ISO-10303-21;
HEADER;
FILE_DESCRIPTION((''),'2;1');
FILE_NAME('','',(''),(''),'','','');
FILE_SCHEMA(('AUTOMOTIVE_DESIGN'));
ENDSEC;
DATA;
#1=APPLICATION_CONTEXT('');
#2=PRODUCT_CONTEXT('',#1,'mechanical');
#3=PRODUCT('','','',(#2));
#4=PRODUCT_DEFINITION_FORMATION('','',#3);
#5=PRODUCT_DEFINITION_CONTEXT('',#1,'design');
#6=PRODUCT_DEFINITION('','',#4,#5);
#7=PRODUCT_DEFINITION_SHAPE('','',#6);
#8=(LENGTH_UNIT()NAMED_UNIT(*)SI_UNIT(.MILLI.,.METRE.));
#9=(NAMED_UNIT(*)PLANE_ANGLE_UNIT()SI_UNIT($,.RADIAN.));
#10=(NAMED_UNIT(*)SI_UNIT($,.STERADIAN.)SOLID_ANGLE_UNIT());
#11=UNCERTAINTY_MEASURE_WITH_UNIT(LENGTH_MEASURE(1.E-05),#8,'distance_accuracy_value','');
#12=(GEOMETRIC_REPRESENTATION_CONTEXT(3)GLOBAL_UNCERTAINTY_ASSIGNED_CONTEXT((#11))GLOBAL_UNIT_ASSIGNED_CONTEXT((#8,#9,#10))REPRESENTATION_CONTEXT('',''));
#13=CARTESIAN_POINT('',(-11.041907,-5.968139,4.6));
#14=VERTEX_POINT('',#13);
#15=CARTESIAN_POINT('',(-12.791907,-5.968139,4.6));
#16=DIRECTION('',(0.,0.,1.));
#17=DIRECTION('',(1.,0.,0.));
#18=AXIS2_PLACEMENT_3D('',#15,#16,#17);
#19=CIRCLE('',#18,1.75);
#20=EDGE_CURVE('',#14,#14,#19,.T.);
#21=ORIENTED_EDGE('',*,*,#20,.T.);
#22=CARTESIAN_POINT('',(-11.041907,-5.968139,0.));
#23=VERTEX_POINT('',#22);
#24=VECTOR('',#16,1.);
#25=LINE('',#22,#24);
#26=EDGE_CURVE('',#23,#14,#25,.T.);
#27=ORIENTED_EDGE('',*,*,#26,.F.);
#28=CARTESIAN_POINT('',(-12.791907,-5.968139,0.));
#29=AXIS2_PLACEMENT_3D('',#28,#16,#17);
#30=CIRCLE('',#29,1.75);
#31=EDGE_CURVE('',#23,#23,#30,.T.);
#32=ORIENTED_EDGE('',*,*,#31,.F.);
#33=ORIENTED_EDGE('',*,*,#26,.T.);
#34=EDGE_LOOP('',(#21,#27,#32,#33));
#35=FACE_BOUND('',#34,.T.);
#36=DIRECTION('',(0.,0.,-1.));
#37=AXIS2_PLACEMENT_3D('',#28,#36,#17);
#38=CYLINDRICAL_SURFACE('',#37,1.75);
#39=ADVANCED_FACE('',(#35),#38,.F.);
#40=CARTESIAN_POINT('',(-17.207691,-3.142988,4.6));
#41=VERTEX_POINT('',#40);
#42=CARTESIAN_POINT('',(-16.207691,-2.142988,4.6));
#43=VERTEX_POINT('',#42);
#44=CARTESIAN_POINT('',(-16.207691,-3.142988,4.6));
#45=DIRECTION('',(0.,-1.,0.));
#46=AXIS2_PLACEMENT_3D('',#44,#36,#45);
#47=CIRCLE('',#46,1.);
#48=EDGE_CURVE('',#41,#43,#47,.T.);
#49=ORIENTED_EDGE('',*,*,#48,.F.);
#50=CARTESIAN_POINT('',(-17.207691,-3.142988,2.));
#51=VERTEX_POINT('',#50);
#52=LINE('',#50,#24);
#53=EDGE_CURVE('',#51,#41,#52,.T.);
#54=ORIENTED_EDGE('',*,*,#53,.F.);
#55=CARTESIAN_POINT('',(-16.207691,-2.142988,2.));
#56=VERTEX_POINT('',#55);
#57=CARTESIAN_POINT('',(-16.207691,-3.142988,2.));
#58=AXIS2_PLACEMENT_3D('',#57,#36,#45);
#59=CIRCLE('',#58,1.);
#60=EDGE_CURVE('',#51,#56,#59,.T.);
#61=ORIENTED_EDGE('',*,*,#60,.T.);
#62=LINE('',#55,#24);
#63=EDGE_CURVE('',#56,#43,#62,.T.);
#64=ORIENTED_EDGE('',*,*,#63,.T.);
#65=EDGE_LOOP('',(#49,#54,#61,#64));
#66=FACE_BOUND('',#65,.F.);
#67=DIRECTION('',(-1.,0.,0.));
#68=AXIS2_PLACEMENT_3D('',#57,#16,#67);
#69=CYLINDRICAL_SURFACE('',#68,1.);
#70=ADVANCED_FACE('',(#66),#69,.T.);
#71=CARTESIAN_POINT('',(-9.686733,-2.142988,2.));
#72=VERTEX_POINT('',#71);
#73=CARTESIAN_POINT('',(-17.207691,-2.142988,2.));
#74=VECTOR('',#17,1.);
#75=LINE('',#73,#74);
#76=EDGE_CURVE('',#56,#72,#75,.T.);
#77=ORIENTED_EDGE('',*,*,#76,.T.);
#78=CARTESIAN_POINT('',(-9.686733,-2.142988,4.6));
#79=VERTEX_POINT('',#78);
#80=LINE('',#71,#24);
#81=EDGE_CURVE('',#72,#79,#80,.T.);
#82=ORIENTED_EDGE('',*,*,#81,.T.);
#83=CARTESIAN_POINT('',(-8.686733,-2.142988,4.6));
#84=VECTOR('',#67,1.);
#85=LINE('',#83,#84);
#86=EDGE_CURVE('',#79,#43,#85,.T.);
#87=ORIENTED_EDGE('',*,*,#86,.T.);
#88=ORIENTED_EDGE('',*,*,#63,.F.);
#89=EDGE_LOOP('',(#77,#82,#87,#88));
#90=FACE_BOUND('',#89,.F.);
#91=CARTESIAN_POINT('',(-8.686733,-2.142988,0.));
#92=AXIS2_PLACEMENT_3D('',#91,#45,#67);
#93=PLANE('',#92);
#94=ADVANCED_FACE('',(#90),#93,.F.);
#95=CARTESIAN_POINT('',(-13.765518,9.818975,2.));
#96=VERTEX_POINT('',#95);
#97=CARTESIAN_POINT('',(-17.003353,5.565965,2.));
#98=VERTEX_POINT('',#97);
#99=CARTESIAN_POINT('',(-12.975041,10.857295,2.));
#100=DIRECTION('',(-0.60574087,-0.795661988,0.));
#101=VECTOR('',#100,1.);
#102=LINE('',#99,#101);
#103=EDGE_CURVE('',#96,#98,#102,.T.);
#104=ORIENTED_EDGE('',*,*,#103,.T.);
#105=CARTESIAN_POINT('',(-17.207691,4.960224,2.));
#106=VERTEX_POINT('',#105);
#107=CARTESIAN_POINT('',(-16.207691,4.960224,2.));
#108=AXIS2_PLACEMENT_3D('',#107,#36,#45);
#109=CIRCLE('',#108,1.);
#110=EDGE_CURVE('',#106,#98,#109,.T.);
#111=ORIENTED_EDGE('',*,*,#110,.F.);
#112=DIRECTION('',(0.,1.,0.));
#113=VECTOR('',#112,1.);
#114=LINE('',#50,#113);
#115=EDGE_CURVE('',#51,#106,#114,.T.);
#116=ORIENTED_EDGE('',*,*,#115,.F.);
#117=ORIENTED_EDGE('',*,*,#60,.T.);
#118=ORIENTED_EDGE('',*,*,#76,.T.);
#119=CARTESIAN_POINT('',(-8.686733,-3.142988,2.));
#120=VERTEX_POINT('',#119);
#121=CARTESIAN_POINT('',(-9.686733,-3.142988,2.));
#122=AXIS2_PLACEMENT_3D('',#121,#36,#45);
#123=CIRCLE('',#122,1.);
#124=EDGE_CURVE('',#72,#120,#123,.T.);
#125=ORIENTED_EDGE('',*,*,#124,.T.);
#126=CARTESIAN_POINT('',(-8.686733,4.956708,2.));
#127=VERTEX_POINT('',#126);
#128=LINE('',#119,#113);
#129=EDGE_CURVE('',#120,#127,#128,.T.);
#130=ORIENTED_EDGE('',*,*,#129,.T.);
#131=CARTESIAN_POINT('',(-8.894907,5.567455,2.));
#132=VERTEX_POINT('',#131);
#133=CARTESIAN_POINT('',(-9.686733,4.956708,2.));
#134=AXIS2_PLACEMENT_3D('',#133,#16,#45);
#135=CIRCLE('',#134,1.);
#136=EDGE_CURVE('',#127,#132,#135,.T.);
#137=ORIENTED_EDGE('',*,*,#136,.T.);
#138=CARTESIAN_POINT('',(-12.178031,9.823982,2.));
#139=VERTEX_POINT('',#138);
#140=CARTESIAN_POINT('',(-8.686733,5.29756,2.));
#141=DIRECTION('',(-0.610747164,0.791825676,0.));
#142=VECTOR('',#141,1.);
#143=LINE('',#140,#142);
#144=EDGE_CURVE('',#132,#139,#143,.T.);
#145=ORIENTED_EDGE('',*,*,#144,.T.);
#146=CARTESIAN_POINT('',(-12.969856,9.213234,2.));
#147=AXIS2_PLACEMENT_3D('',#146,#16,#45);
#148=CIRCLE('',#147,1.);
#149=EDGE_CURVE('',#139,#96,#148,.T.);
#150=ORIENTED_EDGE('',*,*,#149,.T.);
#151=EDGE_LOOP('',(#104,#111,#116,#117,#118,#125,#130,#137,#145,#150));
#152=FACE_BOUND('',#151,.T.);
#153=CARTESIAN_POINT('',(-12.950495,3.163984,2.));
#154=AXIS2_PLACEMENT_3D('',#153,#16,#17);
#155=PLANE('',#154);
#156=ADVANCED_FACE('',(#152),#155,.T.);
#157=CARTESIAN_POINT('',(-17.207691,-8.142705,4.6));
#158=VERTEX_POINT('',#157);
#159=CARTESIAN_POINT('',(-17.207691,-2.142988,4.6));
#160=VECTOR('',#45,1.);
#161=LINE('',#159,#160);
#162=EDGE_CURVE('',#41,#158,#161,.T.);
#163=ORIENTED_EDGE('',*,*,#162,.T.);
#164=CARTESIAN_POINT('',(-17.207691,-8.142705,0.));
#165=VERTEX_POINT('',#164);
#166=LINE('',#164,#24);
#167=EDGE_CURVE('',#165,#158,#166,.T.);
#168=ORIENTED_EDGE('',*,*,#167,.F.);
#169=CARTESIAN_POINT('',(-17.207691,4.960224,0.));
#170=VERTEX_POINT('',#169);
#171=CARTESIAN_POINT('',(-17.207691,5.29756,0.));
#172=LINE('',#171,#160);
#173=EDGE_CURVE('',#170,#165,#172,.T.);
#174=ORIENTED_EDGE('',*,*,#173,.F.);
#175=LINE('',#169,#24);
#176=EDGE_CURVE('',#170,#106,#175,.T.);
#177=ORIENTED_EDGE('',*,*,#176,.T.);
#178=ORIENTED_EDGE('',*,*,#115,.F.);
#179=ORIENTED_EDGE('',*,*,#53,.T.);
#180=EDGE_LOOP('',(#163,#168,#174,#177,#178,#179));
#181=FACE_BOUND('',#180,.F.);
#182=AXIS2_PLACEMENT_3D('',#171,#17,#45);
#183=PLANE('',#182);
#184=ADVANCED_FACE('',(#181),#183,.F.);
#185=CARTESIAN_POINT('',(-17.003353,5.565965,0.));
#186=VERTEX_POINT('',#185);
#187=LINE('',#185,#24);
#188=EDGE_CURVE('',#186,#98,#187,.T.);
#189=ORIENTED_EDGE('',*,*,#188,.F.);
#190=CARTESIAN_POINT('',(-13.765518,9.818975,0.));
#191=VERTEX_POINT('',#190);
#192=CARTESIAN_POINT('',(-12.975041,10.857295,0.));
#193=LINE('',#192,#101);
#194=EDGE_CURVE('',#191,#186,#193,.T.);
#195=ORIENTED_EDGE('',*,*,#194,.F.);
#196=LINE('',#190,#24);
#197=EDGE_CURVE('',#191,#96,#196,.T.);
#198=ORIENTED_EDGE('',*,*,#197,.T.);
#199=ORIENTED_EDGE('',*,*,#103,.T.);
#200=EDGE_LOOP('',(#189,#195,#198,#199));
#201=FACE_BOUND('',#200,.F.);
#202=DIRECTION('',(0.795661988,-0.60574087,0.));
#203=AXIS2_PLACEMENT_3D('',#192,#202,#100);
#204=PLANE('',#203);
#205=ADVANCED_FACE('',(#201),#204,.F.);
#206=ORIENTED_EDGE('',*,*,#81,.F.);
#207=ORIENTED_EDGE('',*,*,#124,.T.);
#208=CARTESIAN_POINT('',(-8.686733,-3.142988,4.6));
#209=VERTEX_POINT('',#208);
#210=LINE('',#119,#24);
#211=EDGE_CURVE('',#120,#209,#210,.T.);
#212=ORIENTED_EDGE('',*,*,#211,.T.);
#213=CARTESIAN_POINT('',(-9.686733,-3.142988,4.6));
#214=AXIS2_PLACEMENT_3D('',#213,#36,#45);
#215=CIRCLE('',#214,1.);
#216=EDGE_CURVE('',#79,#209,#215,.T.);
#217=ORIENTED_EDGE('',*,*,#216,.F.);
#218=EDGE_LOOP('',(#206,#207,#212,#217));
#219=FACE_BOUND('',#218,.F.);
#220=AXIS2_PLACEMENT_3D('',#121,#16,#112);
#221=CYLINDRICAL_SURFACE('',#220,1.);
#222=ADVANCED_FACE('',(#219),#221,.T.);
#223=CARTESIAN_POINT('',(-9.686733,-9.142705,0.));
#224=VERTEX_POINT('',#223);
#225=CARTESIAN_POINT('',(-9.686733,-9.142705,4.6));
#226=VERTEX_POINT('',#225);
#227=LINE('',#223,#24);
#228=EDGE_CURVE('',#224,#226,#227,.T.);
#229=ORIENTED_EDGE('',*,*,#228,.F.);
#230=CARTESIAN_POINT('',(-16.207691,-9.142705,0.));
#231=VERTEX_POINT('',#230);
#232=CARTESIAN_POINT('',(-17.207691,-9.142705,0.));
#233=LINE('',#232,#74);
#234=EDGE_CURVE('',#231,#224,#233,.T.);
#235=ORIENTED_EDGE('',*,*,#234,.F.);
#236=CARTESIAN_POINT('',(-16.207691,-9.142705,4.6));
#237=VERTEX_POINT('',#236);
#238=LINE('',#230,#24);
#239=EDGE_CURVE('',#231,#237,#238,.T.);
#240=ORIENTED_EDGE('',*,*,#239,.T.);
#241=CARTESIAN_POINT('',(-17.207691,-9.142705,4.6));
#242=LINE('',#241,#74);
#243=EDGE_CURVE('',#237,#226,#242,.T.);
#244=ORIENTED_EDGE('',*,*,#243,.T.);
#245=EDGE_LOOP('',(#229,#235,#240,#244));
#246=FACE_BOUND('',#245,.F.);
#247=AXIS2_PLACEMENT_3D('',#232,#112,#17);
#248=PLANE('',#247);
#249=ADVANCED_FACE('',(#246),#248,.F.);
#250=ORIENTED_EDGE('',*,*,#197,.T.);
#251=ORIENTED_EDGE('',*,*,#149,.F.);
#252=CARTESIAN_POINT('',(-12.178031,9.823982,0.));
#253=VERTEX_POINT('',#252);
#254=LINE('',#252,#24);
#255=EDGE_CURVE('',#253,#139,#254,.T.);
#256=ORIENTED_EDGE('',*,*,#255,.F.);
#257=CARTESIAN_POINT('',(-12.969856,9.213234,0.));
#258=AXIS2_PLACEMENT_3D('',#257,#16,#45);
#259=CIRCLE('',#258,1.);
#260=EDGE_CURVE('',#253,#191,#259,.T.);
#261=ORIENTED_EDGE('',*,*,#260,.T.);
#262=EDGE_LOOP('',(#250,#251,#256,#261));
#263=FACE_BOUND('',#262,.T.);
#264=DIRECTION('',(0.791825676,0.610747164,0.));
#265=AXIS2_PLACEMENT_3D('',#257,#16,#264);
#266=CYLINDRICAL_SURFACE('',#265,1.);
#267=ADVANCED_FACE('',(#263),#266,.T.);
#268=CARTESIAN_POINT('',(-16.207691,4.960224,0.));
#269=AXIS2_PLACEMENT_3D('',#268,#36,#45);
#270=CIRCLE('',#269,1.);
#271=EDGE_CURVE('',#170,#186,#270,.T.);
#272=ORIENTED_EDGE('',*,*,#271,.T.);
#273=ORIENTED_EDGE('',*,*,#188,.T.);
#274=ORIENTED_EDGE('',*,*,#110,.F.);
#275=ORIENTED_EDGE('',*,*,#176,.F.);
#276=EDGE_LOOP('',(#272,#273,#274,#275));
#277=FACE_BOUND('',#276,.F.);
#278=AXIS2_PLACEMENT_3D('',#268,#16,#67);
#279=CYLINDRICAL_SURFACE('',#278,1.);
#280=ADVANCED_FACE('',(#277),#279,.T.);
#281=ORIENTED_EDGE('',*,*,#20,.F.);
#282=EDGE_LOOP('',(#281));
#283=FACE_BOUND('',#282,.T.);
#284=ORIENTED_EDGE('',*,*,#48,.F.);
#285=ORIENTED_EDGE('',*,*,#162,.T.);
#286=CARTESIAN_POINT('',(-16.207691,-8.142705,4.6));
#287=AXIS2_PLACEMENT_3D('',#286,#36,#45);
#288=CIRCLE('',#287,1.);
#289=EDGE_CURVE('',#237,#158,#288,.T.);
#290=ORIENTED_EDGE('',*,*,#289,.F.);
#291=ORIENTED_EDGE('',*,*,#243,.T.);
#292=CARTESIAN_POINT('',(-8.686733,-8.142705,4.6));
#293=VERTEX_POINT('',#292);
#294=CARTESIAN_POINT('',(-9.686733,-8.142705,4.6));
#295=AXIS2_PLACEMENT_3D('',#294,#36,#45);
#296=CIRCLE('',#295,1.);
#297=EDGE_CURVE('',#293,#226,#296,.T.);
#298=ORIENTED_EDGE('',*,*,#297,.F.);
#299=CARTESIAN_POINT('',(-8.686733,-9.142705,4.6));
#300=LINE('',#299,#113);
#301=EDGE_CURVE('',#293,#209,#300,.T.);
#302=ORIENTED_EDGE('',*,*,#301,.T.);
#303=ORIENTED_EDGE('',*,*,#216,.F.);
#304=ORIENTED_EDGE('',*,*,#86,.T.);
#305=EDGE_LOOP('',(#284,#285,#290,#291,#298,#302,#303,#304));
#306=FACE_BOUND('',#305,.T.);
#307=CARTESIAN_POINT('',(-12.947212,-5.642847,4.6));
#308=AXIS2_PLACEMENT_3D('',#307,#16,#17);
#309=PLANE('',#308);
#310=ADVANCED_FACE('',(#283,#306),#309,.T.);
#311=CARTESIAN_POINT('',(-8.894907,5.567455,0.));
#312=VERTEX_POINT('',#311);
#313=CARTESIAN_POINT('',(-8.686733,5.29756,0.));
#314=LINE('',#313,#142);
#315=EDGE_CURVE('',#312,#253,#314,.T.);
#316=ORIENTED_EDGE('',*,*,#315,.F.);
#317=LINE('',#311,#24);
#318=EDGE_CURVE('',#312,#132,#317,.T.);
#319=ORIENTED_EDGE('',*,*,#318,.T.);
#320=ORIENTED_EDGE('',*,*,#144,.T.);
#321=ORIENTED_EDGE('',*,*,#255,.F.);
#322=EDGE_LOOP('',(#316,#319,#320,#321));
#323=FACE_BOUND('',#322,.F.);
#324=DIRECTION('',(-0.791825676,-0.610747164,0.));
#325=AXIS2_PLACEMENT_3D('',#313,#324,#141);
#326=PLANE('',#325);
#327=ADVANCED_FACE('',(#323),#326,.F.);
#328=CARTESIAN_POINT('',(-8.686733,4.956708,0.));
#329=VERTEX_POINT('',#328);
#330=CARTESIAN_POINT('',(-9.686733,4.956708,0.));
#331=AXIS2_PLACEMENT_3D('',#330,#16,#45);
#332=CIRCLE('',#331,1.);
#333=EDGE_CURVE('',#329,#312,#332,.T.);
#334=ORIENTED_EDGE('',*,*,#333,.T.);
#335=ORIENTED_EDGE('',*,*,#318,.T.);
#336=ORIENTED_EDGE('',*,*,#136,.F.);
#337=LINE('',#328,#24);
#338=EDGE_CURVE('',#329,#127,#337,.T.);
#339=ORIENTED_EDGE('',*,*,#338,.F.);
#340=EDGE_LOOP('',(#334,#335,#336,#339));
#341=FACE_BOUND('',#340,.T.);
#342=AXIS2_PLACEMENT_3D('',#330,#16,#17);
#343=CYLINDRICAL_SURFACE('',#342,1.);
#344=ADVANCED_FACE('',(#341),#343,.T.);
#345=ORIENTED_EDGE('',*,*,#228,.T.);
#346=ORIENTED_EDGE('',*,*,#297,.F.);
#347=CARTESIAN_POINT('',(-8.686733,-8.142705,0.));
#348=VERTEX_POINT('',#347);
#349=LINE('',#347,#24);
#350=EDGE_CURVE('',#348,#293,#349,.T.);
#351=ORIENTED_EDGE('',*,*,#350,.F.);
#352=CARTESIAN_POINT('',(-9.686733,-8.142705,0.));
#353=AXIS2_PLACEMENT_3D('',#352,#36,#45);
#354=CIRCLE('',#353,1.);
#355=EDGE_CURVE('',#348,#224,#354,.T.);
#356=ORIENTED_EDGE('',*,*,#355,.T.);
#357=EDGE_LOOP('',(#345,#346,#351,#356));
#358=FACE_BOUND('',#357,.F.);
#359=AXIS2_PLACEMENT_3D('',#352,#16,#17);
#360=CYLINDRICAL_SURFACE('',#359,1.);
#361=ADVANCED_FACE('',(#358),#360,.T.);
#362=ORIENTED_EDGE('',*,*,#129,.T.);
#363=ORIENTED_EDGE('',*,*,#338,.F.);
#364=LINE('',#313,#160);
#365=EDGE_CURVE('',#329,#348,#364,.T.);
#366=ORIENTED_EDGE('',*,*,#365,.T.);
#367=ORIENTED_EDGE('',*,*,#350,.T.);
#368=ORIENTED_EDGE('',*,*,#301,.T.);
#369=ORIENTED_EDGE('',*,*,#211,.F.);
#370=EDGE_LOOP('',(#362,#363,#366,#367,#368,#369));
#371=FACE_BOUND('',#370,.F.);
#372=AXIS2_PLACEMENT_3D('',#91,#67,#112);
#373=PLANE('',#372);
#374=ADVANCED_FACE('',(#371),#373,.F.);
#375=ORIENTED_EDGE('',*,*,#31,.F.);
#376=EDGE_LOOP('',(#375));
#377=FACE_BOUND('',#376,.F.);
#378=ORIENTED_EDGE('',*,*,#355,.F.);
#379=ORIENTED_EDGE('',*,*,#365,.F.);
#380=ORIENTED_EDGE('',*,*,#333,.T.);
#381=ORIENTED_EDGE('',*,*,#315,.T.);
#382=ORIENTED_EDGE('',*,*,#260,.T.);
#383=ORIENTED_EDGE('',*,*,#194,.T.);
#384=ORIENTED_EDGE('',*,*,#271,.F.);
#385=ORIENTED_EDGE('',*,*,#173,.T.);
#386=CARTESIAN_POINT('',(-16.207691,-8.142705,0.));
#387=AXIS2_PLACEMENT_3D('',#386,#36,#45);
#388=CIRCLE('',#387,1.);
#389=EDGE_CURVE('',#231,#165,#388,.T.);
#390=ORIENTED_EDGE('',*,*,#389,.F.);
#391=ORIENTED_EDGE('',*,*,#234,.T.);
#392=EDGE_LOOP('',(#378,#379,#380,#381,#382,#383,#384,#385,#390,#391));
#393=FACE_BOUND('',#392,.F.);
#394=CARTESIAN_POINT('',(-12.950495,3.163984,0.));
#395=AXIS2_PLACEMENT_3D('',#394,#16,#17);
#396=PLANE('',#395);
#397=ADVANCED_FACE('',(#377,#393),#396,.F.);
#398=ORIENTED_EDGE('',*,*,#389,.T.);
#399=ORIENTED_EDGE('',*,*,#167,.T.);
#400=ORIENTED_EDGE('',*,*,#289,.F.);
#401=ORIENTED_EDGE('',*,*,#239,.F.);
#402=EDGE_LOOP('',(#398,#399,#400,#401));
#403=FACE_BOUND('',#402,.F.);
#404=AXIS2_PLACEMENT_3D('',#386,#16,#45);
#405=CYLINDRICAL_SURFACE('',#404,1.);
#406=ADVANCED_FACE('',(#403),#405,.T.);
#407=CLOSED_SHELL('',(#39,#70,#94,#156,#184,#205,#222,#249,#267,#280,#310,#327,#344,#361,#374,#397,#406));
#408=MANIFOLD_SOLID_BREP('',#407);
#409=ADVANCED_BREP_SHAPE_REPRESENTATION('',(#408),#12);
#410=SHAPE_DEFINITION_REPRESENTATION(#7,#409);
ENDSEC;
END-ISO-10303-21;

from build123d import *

# Parameters (mm, degrees)
F0_R     = 1.75
F1_DEPTH = 4.6
F2_DEPTH = 2
F3_R     = 1
F4_R     = 1
F5_R     = 1
F6_R     = 1


with BuildPart() as f1:
    # F0 (on Top) → F1 (new body)
    with BuildSketch(Plane.XY):
        Polygon((-17.207691, -2.142988), (-17.207691, -9.142705), (-8.686733, -9.142705), (-8.686733, -2.142988), (-16.240229, -2.142988), align=None)
        with Locations((-12.791907, -5.968139)):
            Circle(F0_R, mode=Mode.SUBTRACT)
    extrude(amount=F1_DEPTH)

    # F0 (on Top) → F2 (join)
    with BuildSketch(Plane.XY):
        Polygon((-17.207691, 5.29756), (-17.207691, -2.142988), (-16.240229, -2.142988), (-8.686733, -2.142988), (-8.686733, 5.29756), (-12.975041, 10.857295), align=None)
    extrude(amount=F2_DEPTH)

    # F3
    f3_edges = [f1.edges().sort_by_distance(p)[0] for p in [
        (-8.686733, -9.142705, 2.3),
    ]]
    fillet(f3_edges, radius=F3_R)

    # F4
    f4_edges = [f1.edges().sort_by_distance(p)[0] for p in [
        (-17.207691, -9.142705, 2.3),
    ]]
    fillet(f4_edges, radius=F4_R)

    # F5
    f5_edges = [f1.edges().sort_by_distance(p)[0] for p in [
        (-17.207691, -2.142988, 3.3),
    ]]
    fillet(f5_edges, radius=F5_R)

    # F6
    f6_edges = [f1.edges().sort_by_distance(p)[0] for p in [
        (-8.686733, -2.142988, 3.3),
        (-12.975041, 10.857295, 1),
        (-8.686733, 5.29756, 1),
        (-17.207691, 5.29756, 1),
    ]]
    fillet(f6_edges, radius=F6_R)


solid = f1.part
